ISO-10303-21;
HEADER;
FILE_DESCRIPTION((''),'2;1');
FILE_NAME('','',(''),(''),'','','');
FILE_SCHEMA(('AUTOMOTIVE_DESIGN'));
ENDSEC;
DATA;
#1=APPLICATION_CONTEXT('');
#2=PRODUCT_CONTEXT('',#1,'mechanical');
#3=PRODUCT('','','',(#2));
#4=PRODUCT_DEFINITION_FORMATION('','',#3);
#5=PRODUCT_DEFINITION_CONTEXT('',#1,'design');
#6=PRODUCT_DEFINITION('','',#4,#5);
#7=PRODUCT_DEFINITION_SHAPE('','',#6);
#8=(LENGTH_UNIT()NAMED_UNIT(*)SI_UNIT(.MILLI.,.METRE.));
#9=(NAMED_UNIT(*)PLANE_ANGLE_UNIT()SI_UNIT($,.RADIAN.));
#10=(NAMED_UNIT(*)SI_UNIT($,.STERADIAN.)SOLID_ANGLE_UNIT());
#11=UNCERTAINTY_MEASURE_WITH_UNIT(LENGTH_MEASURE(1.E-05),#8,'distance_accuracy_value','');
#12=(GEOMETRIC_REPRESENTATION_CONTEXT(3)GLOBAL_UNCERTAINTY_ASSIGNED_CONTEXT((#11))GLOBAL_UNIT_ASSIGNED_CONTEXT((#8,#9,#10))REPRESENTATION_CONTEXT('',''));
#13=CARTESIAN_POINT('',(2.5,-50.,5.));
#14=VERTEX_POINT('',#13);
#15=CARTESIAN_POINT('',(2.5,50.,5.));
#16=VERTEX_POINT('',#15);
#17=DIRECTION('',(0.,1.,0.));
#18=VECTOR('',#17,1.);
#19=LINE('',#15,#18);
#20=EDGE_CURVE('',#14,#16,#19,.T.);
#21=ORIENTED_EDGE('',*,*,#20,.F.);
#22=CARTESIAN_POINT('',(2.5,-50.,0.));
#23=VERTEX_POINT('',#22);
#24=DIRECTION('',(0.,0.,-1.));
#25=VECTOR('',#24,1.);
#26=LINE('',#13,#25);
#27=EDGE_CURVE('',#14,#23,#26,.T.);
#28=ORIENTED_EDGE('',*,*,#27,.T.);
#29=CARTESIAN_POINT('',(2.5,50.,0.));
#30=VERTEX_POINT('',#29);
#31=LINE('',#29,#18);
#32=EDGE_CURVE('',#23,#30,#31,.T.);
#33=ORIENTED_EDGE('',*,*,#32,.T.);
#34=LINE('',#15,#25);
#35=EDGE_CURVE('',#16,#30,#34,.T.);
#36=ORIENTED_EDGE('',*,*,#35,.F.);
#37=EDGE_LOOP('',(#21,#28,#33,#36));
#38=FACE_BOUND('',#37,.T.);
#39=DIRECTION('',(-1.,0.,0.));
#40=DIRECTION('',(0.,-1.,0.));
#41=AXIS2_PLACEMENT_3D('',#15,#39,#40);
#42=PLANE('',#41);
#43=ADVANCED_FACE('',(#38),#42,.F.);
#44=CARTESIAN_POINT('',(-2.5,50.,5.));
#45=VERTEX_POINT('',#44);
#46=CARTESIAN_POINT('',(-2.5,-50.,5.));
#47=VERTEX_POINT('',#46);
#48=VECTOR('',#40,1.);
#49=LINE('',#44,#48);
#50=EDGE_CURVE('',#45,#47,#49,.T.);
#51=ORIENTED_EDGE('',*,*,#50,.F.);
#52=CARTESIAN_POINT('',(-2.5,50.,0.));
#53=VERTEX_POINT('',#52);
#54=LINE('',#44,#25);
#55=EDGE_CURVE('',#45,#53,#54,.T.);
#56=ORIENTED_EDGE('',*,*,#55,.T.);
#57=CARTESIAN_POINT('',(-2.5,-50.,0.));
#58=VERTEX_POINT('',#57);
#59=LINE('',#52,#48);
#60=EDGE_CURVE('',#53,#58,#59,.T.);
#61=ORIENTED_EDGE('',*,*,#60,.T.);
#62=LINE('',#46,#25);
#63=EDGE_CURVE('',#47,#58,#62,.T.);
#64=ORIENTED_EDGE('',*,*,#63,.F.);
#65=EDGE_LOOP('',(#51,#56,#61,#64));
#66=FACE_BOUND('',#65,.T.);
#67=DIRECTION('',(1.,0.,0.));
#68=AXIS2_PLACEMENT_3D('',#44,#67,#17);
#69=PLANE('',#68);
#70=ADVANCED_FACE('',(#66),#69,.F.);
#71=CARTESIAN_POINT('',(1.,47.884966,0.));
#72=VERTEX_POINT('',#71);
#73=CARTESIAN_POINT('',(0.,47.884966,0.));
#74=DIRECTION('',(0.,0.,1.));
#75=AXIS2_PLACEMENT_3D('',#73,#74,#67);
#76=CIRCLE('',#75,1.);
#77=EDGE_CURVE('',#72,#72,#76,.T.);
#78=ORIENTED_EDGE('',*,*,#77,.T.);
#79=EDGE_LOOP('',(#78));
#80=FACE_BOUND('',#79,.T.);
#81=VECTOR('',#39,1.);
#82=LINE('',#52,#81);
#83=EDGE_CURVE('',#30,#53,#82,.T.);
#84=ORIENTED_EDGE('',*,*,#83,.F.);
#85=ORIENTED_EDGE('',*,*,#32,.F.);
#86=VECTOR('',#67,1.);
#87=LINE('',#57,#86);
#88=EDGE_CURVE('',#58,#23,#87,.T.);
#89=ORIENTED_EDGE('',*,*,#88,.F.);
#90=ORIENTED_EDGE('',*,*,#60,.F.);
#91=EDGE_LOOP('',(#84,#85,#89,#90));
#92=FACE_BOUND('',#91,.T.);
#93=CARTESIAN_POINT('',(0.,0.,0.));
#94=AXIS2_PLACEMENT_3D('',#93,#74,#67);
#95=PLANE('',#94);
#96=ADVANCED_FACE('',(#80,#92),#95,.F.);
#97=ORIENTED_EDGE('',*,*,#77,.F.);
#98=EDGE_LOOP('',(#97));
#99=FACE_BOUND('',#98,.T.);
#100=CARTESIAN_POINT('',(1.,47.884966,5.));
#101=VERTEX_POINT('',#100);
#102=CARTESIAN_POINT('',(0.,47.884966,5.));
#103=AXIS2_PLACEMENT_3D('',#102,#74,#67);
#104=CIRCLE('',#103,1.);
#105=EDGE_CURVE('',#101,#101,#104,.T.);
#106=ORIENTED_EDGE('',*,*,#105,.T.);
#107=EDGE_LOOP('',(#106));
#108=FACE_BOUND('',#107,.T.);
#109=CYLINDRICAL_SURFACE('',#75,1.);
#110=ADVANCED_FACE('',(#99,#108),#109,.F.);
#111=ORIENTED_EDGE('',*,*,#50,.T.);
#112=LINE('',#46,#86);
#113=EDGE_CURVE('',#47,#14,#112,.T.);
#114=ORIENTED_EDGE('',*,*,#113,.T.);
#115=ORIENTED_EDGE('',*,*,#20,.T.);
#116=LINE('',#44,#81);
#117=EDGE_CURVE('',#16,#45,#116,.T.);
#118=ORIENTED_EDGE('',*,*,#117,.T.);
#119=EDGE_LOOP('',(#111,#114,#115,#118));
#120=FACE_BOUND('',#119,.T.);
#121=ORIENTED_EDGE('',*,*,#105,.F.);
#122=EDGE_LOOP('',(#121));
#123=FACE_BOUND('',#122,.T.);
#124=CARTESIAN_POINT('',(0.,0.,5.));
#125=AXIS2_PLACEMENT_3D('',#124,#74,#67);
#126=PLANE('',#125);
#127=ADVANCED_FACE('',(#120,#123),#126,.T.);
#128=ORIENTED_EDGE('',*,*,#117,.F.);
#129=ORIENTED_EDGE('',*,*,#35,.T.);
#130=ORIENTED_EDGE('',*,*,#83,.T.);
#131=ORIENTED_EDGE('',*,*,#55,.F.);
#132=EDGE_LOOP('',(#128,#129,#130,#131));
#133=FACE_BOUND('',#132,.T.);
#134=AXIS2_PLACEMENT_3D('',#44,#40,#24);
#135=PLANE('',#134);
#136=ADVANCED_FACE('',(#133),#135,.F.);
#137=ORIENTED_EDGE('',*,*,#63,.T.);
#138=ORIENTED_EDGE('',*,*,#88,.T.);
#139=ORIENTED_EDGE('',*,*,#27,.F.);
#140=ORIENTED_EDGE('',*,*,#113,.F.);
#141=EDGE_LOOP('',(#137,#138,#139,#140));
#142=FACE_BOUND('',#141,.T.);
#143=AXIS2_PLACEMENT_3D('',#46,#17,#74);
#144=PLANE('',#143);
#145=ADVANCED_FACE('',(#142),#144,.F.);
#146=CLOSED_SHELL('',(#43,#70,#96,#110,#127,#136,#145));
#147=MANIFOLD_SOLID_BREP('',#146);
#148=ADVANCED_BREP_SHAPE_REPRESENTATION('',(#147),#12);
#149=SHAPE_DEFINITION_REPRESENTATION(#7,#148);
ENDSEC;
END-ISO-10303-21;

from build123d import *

# Parameters (mm, degrees)
SKETCH1_W           = 5
SKETCH1_H           = 100
BOSS_EXTRUDE1_DEPTH = 5
SKETCH3_R           = 1
CUT_EXTRUDE2_DEPTH  = 6


with BuildPart() as part:
    # Sketch1 → Boss-Extrude1 (new body)
    with BuildSketch(Plane.XY):
        Rectangle(SKETCH1_W, SKETCH1_H)
    extrude(amount=BOSS_EXTRUDE1_DEPTH)

    # Sketch3 → Cut-Extrude2 (cut, through all)
    with BuildSketch(Plane.XY.offset(5)):
        with Locations((0, 47.884965779)):
            Circle(SKETCH3_R)
    extrude(amount=-CUT_EXTRUDE2_DEPTH, mode=Mode.SUBTRACT)


solid = part.part
